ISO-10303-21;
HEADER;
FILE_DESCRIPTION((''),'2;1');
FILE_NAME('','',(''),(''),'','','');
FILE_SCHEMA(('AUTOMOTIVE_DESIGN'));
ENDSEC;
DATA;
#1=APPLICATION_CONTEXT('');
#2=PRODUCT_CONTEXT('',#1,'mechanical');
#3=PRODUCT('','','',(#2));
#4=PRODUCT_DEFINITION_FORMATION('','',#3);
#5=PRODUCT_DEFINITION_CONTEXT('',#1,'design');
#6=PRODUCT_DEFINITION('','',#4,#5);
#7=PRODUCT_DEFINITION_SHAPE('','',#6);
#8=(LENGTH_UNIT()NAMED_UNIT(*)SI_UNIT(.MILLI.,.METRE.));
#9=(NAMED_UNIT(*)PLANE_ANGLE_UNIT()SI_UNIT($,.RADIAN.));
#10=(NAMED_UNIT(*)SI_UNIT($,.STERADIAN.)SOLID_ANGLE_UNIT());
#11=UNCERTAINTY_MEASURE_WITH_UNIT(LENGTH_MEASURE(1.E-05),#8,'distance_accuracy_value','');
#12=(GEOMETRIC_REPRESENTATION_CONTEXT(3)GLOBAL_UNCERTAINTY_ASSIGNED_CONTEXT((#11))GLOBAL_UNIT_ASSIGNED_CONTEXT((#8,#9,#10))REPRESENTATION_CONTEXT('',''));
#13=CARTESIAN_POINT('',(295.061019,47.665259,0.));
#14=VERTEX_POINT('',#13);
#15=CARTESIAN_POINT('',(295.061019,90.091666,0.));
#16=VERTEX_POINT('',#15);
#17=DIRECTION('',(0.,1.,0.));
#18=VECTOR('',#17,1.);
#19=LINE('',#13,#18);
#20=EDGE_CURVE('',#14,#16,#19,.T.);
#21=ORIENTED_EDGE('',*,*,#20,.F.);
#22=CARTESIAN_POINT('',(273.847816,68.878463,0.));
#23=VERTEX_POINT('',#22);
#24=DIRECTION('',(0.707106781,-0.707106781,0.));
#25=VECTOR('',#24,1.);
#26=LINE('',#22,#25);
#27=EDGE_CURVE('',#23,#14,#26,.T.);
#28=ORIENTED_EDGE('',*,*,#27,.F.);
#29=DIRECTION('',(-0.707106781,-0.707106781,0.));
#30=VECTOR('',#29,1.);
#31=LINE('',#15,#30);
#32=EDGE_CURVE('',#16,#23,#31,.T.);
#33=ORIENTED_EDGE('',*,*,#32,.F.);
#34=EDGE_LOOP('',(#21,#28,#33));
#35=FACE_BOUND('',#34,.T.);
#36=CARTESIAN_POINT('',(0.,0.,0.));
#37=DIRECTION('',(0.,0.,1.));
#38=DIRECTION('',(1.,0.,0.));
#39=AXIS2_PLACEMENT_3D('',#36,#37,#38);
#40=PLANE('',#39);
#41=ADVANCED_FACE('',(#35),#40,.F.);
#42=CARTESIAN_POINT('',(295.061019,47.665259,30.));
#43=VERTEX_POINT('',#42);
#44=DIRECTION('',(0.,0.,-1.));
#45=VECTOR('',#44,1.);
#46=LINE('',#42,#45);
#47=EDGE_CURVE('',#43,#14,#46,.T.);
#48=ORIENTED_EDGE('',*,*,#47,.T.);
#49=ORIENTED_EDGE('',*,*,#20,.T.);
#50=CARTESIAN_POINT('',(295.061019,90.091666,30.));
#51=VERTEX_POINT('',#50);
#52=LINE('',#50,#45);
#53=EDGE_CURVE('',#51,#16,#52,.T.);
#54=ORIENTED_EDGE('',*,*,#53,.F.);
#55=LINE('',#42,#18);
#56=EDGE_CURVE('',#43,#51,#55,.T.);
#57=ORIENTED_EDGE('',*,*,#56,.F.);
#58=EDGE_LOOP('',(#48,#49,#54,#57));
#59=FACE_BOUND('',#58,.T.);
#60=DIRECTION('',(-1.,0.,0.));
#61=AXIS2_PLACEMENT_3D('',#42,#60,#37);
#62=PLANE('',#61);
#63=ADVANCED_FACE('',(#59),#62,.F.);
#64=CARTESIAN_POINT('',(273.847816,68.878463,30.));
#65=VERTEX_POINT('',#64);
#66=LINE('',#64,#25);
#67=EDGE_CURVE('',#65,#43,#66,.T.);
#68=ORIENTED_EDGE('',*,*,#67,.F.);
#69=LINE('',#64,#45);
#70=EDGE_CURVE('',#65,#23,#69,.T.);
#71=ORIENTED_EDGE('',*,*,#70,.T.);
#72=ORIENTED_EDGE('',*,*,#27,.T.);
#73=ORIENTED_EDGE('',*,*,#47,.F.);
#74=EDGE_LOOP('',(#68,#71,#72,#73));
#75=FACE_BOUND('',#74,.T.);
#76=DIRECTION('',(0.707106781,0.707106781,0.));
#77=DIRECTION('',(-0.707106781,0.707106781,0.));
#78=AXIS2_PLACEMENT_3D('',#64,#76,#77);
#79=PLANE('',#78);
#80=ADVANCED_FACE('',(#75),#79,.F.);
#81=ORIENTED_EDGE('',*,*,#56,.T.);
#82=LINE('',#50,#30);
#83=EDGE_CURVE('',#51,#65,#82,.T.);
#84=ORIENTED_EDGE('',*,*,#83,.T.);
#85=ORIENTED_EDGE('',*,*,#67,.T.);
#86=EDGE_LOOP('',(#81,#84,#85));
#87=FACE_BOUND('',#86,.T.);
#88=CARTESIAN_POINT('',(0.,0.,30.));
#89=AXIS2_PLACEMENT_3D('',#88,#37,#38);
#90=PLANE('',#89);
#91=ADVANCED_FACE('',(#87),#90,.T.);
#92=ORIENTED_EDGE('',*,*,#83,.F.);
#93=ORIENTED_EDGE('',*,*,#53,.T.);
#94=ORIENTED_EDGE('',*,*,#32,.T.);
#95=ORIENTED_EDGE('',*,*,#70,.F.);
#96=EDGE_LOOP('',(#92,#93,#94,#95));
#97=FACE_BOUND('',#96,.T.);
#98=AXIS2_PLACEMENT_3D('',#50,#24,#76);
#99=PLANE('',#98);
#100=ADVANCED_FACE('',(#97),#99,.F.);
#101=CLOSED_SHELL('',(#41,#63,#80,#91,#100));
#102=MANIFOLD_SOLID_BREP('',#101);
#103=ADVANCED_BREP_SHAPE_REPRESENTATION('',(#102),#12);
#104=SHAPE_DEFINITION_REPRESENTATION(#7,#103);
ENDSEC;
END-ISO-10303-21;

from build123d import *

# Parameters (mm, degrees)
EXTRUDE_1_DEPTH = 30


with BuildPart() as part:
    # 草图1 → 凸台-拉伸1 (new body)
    with BuildSketch(Plane.XY):
        Polygon((295.061019293, 90.091665945), (273.847815857, 68.878462509), (295.061019293, 47.665259074), align=None)
    extrude(amount=EXTRUDE_1_DEPTH)


solid = part.part
